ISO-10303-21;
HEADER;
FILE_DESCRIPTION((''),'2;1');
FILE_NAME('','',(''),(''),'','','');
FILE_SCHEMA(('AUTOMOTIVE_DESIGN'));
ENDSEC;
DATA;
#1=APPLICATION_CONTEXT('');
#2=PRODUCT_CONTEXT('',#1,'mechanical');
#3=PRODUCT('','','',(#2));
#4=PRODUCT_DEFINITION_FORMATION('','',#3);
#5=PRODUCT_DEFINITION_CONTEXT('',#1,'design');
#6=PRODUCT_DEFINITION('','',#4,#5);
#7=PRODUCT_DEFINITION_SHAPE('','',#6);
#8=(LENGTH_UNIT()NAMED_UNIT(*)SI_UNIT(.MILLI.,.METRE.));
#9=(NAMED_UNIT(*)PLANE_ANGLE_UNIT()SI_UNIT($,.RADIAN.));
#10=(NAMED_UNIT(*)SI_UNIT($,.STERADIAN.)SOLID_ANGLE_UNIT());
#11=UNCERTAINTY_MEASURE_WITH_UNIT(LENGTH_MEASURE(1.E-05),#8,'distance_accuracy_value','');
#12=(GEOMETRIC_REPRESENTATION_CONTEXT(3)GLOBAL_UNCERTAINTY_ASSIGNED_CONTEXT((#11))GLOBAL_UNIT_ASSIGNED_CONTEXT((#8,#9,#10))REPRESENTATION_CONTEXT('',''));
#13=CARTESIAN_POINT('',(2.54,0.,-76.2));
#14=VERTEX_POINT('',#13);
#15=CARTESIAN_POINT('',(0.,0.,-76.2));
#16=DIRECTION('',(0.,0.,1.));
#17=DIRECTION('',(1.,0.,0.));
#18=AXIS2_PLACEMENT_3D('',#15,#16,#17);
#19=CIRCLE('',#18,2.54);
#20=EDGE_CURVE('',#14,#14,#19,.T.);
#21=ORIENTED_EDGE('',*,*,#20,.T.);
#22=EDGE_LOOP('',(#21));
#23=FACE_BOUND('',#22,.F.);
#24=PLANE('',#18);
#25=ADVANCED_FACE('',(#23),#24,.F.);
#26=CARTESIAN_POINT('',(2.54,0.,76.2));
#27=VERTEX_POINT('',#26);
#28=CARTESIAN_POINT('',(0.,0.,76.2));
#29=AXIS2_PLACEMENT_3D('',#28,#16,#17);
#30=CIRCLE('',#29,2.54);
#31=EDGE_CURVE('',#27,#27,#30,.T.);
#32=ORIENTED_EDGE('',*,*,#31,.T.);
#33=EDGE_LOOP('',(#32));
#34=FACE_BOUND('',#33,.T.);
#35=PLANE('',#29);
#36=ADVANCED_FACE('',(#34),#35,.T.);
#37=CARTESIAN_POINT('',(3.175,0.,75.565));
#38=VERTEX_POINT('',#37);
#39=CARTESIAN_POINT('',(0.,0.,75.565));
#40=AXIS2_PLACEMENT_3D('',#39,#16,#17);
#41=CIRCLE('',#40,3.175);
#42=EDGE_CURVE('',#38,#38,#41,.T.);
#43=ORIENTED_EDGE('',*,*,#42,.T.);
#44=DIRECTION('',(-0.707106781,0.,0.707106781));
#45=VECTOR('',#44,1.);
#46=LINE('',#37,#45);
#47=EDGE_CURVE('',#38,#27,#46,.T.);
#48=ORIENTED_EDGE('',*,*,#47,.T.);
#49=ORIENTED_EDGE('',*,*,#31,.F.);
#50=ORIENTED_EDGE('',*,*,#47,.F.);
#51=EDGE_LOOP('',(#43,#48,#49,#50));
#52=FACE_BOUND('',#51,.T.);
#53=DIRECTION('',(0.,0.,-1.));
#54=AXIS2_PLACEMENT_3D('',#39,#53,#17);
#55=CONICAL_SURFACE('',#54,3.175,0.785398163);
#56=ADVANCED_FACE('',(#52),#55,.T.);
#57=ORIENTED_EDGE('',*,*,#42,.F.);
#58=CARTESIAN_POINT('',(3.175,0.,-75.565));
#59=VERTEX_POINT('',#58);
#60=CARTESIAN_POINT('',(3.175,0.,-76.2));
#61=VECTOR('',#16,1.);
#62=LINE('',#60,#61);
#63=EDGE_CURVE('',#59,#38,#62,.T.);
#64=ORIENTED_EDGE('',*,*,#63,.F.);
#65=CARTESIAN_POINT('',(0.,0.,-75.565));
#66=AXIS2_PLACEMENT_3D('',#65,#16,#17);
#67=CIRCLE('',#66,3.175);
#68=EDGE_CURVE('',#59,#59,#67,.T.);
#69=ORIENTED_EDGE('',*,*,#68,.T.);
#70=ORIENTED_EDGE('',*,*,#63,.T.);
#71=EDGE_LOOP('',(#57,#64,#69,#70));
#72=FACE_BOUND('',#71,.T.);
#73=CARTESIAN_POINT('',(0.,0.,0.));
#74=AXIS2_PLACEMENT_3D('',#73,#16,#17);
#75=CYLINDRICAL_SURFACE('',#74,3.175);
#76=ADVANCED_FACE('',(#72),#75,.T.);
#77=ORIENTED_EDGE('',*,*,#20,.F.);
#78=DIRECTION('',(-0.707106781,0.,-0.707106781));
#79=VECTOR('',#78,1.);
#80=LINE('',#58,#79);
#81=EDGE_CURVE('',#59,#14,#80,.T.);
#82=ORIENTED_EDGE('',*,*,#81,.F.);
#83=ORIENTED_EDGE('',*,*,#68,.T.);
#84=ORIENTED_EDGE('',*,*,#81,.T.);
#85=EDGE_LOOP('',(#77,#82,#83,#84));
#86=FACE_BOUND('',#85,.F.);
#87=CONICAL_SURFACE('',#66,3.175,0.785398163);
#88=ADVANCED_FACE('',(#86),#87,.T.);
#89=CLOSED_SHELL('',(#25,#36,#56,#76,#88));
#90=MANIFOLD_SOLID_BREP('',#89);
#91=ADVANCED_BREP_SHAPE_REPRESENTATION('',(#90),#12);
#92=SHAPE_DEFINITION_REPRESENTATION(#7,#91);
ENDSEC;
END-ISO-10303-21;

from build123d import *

# Parameters (mm, degrees)
SKETCH1_R      = 3.175
EXTRUDE1_DEPTH = 76.2
CHAMFER1_SIZE  = 0.635


with BuildPart() as part:
    # Sketch1 → Extrude1 (new body, symmetric)
    with BuildSketch(Plane.XY):
        Circle(SKETCH1_R)
    extrude(amount=EXTRUDE1_DEPTH, both=True)

    # Chamfer1
    chamfer1_edges = [part.edges().sort_by_distance(p)[0] for p in [
        (-3.175, 0, -76.2),
        (-3.175, 0, 76.2),
    ]]
    chamfer(chamfer1_edges, length=CHAMFER1_SIZE)


solid = part.part
